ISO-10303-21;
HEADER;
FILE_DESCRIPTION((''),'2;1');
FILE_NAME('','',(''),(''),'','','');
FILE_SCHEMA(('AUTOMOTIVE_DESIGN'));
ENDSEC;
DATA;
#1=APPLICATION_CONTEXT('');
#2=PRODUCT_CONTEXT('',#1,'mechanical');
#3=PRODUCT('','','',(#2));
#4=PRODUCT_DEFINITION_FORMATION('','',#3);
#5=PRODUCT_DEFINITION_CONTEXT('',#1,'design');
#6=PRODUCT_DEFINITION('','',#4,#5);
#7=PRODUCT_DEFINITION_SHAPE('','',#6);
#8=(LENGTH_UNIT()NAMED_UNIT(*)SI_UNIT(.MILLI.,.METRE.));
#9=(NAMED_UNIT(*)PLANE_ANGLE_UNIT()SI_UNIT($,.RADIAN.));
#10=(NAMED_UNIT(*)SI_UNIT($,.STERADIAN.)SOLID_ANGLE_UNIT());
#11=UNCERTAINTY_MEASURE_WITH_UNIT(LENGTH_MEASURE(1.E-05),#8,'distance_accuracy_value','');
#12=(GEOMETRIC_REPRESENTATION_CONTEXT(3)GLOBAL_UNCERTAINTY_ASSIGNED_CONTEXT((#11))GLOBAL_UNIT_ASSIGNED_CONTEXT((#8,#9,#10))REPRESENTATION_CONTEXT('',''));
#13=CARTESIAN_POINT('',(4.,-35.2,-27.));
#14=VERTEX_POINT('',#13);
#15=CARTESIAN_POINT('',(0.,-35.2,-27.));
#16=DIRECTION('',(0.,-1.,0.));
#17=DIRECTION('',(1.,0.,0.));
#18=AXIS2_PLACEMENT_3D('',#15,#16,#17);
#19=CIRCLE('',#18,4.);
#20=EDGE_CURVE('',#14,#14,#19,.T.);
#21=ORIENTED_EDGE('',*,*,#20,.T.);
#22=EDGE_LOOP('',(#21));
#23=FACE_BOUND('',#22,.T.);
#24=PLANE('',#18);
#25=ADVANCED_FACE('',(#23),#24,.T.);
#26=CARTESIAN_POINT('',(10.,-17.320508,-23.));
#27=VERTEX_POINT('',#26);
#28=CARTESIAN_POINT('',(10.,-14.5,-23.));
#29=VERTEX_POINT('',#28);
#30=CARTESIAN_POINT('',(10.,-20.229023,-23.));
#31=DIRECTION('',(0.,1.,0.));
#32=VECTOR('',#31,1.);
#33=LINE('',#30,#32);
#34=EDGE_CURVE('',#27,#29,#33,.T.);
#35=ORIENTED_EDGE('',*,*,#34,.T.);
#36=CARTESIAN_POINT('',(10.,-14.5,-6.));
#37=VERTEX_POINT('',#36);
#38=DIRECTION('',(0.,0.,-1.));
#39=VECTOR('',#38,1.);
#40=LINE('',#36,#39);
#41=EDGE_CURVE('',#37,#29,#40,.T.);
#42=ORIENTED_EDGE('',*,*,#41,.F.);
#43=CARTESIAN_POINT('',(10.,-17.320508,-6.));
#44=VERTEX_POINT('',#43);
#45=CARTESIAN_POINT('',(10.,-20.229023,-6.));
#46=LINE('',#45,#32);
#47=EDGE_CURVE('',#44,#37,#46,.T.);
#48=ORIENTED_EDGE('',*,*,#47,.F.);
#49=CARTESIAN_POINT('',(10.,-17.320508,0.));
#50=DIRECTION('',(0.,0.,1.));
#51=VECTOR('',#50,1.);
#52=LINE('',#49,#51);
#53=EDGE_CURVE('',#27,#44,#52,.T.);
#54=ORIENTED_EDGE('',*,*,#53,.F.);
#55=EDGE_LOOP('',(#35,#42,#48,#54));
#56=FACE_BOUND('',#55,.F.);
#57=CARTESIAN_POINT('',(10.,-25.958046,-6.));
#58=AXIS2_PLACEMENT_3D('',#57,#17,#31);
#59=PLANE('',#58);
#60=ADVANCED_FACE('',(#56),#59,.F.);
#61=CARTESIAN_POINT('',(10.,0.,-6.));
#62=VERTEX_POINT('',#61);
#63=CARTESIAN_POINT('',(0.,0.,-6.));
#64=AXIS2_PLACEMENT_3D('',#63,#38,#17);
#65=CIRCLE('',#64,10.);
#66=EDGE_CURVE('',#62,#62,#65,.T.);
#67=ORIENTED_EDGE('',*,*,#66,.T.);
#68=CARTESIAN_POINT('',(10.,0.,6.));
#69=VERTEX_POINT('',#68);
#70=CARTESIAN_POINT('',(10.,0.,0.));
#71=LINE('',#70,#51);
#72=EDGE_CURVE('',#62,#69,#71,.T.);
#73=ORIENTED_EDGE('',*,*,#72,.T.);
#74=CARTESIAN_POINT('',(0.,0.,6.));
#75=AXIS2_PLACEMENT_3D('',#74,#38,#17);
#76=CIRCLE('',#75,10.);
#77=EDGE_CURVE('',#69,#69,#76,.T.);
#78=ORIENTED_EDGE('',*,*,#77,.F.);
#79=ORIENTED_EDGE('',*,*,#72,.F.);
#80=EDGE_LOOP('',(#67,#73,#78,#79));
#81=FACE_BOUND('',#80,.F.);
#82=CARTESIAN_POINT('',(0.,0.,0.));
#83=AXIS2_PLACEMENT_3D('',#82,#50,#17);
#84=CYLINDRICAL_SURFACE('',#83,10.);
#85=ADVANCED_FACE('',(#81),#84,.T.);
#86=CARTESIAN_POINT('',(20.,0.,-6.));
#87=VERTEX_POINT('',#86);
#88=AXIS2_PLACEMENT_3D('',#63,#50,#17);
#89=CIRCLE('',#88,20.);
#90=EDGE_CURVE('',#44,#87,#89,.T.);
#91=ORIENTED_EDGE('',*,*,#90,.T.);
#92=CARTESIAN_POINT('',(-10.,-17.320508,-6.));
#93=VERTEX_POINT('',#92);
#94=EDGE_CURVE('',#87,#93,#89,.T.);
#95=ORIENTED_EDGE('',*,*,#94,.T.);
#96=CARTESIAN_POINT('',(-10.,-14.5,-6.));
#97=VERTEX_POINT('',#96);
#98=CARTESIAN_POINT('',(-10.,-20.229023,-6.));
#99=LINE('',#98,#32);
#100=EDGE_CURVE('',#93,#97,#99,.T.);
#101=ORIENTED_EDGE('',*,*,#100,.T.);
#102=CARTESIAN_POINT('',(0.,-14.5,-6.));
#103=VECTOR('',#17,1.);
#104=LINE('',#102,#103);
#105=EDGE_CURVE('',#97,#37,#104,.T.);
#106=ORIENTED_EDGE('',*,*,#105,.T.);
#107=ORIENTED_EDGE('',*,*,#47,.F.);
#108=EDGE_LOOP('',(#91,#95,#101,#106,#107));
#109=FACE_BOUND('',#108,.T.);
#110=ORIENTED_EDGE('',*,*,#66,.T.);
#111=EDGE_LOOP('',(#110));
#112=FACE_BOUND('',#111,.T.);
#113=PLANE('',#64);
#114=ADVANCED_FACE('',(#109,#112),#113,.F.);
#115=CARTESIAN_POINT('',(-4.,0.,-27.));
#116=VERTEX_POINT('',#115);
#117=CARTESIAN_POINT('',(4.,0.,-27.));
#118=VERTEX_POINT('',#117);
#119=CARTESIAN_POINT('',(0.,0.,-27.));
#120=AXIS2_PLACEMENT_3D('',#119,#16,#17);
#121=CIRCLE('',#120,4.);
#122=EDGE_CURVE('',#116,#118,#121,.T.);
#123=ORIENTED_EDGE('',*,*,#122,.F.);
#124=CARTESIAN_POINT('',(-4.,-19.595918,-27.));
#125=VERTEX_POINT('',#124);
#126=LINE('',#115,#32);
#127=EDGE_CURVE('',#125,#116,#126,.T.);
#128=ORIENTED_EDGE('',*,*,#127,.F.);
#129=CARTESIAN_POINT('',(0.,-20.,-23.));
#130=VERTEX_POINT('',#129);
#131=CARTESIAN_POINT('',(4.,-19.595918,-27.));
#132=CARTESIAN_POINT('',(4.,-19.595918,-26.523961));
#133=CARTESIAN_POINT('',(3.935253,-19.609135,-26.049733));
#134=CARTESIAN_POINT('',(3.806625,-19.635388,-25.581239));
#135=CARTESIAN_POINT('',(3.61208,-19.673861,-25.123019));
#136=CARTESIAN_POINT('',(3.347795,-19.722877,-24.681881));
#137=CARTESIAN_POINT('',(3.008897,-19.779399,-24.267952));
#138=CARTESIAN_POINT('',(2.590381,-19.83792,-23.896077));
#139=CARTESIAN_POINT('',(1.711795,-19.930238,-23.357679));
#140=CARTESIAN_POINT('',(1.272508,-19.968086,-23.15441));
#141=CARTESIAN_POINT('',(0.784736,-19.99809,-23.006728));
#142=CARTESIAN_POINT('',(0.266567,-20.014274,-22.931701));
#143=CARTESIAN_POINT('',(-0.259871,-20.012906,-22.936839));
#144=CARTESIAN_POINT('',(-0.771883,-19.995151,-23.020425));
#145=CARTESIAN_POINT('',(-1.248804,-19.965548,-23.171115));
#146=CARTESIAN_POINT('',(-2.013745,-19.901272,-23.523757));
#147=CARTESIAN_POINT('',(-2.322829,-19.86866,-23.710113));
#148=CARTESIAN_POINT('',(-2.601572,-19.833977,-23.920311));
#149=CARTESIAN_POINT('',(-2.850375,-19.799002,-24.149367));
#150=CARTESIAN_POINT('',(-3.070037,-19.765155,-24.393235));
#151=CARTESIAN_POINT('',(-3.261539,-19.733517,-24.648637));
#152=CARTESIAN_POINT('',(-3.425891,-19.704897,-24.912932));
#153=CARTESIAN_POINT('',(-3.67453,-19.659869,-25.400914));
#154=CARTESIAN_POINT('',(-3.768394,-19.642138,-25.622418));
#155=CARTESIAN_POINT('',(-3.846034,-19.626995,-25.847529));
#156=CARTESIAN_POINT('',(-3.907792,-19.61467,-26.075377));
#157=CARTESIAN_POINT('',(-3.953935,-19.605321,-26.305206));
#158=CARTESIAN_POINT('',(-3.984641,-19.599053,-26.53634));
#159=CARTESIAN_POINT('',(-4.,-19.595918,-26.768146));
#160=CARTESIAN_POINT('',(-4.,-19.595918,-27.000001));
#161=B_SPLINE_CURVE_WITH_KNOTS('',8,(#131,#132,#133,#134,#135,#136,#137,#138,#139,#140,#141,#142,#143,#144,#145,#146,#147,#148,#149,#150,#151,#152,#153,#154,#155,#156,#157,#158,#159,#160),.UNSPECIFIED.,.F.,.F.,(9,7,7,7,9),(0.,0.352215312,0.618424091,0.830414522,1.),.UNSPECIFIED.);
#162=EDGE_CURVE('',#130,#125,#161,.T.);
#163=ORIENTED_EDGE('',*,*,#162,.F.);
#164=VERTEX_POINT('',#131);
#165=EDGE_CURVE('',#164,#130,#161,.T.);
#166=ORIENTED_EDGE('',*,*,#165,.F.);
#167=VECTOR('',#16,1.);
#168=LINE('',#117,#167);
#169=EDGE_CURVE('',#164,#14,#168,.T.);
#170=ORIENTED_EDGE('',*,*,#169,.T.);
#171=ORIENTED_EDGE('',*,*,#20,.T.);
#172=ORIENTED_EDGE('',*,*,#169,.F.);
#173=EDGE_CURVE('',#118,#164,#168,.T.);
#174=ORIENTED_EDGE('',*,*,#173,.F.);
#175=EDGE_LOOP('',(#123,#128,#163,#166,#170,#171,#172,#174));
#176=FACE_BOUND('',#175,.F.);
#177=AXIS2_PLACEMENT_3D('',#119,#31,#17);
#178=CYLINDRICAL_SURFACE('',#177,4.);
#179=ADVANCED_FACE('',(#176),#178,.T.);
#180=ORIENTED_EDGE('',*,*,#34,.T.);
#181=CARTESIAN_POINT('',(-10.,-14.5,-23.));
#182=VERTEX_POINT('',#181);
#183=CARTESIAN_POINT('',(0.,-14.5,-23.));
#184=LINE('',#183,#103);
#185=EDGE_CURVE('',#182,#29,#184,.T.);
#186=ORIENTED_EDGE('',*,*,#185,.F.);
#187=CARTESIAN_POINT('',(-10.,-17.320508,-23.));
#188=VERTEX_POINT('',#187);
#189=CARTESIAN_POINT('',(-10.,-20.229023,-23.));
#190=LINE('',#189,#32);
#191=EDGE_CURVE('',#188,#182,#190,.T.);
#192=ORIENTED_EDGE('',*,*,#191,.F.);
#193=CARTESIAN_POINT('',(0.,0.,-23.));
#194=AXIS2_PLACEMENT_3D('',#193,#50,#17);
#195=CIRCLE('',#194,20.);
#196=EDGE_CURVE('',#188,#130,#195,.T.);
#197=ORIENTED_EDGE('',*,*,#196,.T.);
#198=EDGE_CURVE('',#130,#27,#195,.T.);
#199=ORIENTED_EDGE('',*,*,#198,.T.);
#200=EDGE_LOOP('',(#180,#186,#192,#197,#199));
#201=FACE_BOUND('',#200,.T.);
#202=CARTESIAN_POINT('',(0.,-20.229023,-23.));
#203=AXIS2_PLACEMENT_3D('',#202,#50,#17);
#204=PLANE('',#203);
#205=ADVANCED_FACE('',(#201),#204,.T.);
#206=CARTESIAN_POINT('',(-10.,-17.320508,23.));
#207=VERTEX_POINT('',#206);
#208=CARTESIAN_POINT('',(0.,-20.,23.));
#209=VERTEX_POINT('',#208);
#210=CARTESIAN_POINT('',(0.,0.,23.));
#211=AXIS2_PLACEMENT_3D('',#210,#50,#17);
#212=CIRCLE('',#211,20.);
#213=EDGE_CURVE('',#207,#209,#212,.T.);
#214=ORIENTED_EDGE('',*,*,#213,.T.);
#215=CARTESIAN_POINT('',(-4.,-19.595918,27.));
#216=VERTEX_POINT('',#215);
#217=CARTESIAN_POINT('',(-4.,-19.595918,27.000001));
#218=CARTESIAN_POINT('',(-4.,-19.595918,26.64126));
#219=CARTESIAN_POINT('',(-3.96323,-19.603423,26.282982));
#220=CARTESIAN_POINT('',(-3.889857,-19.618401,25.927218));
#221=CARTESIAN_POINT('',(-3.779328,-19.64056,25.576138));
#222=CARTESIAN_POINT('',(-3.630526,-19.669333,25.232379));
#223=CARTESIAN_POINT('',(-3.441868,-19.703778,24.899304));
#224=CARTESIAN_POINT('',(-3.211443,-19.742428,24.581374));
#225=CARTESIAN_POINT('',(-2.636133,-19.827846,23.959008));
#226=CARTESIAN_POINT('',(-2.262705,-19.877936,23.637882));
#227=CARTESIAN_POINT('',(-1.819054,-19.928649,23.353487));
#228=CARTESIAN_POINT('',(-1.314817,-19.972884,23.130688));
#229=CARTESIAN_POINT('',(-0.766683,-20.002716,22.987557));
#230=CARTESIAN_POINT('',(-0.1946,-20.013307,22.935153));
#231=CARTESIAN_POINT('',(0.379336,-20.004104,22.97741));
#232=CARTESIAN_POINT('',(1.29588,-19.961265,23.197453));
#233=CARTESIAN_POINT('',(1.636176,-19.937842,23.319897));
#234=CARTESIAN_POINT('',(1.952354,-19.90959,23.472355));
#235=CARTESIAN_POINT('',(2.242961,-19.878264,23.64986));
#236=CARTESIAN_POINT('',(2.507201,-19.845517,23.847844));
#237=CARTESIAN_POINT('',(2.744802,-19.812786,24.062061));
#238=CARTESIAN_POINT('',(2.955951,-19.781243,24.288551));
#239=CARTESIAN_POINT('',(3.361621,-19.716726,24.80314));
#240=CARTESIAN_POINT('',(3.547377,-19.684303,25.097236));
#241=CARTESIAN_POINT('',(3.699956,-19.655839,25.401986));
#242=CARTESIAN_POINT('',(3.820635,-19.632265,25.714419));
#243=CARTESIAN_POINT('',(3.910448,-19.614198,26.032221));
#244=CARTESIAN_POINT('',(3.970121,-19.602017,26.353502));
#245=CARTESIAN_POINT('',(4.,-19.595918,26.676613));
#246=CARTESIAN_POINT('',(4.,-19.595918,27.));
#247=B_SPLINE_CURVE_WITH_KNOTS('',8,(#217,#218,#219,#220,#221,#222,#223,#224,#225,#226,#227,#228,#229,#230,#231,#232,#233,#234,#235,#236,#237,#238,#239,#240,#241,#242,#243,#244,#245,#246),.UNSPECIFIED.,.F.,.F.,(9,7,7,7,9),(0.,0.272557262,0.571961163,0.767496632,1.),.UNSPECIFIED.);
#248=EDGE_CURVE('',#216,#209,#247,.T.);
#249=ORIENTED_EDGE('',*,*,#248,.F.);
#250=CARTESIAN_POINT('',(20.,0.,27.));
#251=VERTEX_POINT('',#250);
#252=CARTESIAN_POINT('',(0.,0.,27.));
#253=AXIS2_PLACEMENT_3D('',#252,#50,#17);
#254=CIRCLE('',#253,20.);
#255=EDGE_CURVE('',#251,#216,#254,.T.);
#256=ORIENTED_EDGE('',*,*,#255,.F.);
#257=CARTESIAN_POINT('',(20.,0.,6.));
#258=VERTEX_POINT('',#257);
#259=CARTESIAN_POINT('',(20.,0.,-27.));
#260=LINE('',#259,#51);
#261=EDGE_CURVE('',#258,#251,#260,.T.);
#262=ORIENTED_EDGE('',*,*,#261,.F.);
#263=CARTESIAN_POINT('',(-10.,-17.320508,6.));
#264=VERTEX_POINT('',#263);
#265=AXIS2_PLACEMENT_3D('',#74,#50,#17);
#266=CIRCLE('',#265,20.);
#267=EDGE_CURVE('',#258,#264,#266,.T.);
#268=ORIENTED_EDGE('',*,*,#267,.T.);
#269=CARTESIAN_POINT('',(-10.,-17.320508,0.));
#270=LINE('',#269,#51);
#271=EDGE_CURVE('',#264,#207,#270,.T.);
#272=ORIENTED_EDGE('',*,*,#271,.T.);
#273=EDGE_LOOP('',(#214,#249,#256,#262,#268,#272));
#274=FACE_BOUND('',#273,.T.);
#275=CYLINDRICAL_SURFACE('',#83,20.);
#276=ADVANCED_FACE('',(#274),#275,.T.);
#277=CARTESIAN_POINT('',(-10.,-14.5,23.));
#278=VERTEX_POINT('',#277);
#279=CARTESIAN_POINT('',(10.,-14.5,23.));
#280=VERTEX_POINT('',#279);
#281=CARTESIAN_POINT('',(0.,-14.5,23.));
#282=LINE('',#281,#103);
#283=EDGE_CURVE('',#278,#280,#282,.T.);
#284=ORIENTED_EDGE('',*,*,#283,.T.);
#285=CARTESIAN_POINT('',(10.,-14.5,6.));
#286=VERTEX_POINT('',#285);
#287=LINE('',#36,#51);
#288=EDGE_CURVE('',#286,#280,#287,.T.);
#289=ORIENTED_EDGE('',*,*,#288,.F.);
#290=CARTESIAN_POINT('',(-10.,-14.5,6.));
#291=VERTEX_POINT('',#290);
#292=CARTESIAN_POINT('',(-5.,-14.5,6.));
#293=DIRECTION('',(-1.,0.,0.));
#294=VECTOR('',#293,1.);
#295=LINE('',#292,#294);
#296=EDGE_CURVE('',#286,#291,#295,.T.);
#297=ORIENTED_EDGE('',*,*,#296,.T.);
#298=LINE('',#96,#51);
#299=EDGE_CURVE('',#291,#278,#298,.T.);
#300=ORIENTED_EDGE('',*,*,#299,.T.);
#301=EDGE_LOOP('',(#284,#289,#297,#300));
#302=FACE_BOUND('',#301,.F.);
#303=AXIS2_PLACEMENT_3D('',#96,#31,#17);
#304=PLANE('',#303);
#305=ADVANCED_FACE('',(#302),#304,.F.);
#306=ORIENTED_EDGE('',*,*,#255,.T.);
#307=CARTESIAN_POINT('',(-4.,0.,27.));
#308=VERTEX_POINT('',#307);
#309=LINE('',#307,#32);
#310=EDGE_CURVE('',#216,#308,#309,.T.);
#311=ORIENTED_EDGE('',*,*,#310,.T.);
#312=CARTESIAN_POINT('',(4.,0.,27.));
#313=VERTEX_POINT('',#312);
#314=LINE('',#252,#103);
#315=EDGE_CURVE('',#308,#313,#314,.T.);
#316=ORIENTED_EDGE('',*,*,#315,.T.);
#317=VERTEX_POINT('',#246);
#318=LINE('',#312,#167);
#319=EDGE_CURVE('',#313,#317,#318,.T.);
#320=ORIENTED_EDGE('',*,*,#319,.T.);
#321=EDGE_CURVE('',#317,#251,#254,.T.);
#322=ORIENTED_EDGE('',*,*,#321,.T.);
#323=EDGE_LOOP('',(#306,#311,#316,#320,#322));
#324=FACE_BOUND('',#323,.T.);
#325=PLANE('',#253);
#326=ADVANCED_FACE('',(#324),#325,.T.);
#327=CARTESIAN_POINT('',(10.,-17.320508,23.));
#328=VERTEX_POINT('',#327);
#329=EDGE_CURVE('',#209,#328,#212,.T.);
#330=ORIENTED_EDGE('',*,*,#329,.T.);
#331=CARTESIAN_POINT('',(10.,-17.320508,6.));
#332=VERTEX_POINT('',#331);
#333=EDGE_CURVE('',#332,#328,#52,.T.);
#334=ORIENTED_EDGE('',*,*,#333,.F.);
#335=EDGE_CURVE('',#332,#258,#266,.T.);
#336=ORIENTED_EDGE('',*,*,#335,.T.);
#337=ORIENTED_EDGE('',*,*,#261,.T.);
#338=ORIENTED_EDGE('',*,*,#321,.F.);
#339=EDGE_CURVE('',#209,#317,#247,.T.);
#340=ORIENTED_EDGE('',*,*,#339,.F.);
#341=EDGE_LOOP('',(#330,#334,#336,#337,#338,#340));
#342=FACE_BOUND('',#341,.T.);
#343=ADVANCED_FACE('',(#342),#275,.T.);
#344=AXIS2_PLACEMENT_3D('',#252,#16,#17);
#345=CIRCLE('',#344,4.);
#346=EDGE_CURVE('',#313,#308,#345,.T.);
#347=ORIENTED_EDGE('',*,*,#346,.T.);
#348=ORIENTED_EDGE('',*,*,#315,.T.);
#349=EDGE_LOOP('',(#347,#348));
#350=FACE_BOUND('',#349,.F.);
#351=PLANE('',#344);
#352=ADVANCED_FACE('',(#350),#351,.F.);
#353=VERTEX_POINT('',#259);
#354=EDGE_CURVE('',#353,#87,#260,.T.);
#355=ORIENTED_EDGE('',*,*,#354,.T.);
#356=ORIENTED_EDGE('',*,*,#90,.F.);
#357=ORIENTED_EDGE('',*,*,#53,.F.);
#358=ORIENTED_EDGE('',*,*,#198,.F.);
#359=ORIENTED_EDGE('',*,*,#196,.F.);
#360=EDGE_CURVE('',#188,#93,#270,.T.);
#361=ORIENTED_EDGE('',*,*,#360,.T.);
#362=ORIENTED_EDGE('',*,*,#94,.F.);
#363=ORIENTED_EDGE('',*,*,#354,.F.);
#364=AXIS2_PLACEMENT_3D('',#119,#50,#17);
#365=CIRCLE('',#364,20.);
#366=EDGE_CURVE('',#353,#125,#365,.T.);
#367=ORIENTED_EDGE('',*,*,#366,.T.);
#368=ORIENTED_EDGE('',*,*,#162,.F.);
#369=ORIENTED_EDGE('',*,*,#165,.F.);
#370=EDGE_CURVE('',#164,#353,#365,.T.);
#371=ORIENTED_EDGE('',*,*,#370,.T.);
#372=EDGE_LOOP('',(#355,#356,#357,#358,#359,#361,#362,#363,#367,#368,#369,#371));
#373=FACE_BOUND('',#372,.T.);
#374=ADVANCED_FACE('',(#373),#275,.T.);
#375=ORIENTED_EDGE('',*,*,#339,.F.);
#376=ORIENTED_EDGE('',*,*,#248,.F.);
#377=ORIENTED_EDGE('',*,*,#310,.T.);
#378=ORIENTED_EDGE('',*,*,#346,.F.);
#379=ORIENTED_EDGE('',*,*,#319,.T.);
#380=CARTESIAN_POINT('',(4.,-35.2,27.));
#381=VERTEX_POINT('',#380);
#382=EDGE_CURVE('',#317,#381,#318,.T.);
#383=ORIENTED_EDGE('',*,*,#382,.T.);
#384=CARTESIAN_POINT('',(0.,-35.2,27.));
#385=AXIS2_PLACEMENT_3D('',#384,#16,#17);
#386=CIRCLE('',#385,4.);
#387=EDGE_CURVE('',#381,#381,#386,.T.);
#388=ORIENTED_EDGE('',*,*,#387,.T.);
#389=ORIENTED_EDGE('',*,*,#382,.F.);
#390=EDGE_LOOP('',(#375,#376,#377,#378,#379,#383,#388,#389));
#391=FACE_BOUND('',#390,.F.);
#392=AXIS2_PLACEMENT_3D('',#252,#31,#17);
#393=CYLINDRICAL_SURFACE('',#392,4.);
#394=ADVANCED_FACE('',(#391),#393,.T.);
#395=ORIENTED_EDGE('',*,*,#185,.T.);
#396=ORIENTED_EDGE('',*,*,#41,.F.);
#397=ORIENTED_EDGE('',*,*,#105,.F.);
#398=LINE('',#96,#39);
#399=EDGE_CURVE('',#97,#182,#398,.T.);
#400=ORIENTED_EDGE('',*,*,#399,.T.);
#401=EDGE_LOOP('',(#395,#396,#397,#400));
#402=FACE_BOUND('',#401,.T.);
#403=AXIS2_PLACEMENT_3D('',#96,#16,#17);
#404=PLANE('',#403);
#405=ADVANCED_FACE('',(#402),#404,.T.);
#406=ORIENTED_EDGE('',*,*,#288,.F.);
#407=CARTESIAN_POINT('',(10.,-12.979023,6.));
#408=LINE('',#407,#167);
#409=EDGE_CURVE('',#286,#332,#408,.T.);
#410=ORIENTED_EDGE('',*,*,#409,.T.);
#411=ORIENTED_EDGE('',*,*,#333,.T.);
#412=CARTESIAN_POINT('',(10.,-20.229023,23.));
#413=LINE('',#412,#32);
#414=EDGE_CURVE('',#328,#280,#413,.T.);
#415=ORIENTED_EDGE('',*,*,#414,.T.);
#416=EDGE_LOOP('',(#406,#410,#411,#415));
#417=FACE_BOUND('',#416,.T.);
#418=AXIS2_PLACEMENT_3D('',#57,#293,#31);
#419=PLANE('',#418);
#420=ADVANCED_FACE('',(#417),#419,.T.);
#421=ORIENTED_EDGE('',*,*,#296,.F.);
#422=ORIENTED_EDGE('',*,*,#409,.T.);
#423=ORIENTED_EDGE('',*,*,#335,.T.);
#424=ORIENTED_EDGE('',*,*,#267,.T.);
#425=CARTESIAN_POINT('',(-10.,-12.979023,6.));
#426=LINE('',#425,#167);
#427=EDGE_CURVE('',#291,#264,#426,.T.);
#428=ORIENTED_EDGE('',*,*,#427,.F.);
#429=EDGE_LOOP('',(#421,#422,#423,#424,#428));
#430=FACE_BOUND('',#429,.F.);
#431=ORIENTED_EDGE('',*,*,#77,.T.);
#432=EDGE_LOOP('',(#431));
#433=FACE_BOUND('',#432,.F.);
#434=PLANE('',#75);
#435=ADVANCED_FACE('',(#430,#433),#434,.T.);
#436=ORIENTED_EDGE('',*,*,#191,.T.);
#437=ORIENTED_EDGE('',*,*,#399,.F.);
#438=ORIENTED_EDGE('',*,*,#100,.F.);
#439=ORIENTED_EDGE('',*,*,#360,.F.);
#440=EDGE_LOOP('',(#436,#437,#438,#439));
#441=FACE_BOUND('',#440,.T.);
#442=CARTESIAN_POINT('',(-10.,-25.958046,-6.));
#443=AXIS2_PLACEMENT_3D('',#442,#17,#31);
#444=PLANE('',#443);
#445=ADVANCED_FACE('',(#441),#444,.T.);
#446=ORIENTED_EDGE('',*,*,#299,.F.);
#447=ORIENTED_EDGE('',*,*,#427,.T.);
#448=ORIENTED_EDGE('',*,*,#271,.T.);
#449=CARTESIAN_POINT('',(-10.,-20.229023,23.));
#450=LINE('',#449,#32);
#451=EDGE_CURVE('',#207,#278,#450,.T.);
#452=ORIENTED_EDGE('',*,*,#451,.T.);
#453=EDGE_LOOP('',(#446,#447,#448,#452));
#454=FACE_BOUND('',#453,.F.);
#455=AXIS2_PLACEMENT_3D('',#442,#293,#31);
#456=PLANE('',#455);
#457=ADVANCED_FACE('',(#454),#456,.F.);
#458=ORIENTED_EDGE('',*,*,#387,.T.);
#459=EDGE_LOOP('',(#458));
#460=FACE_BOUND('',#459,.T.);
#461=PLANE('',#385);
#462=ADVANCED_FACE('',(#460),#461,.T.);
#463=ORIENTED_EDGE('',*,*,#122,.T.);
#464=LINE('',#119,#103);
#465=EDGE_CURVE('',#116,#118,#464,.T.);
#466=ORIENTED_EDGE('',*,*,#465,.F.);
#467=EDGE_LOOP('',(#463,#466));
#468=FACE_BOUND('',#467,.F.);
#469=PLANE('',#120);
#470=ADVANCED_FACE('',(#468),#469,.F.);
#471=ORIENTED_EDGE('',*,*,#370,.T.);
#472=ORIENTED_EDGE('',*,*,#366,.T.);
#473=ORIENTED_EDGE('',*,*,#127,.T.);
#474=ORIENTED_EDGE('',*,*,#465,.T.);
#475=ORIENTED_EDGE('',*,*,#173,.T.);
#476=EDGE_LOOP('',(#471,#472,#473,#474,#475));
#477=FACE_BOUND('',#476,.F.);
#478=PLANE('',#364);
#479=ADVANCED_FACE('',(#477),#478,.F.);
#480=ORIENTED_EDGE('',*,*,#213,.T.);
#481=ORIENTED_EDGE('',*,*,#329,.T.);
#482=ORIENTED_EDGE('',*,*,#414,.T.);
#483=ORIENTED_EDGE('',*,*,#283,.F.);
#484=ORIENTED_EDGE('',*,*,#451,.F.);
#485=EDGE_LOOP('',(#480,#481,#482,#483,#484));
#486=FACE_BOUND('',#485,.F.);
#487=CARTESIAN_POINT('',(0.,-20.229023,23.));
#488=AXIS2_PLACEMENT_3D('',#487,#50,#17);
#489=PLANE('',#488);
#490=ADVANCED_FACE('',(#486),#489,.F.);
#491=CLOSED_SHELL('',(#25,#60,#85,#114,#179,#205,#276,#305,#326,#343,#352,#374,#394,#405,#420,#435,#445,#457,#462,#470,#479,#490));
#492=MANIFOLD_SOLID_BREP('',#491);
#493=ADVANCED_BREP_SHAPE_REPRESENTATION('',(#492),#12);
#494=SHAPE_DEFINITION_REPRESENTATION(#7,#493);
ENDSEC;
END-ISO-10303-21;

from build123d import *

# Parameters (mm, degrees)
F0_R          = 20
F1_DEPTH      = 27
F2_W          = 19.3877541561
F2_H          = 12
F5_R          = 4
F6_DEPTH      = 35.2
F7_W          = 20
F7_H          = 11.4580463721
F8_DEPTH      = 17
F8_DEPTH_BACK = 29


with BuildPart() as f1:
    # F0 (on Top) → F1 (new body, symmetric)
    with BuildSketch(Plane.XY):
        Circle(F0_R)
    extrude(amount=F1_DEPTH, both=True)

    # F2 (on Front) → F4 (revolve, cut)
    with BuildSketch(Plane.XZ):
        with Locations((19.6938770781, 0)):
            Rectangle(F2_W, F2_H)
    revolve(axis=Axis((0, 0, 0.1814514399), (0, 0, -1)), mode=Mode.SUBTRACT)

    # F5 (on Front) → F6 (join)
    with BuildSketch(Plane.XZ):
        with Locations((0, 27)):
            Circle(F5_R)
        with Locations((0, -27)):
            Circle(F5_R)
    extrude(amount=F6_DEPTH)

    # F7 (on face) → F8 (cut, two sides)
    with BuildSketch(Plane.XY.offset(-6)) as f8_sk:
        with Locations((0, -20.229023186)):
            Rectangle(F7_W, F7_H)
    extrude(amount=-F8_DEPTH, mode=Mode.SUBTRACT)
    extrude(f8_sk.sketch, amount=F8_DEPTH_BACK, mode=Mode.SUBTRACT)


solid = f1.part
